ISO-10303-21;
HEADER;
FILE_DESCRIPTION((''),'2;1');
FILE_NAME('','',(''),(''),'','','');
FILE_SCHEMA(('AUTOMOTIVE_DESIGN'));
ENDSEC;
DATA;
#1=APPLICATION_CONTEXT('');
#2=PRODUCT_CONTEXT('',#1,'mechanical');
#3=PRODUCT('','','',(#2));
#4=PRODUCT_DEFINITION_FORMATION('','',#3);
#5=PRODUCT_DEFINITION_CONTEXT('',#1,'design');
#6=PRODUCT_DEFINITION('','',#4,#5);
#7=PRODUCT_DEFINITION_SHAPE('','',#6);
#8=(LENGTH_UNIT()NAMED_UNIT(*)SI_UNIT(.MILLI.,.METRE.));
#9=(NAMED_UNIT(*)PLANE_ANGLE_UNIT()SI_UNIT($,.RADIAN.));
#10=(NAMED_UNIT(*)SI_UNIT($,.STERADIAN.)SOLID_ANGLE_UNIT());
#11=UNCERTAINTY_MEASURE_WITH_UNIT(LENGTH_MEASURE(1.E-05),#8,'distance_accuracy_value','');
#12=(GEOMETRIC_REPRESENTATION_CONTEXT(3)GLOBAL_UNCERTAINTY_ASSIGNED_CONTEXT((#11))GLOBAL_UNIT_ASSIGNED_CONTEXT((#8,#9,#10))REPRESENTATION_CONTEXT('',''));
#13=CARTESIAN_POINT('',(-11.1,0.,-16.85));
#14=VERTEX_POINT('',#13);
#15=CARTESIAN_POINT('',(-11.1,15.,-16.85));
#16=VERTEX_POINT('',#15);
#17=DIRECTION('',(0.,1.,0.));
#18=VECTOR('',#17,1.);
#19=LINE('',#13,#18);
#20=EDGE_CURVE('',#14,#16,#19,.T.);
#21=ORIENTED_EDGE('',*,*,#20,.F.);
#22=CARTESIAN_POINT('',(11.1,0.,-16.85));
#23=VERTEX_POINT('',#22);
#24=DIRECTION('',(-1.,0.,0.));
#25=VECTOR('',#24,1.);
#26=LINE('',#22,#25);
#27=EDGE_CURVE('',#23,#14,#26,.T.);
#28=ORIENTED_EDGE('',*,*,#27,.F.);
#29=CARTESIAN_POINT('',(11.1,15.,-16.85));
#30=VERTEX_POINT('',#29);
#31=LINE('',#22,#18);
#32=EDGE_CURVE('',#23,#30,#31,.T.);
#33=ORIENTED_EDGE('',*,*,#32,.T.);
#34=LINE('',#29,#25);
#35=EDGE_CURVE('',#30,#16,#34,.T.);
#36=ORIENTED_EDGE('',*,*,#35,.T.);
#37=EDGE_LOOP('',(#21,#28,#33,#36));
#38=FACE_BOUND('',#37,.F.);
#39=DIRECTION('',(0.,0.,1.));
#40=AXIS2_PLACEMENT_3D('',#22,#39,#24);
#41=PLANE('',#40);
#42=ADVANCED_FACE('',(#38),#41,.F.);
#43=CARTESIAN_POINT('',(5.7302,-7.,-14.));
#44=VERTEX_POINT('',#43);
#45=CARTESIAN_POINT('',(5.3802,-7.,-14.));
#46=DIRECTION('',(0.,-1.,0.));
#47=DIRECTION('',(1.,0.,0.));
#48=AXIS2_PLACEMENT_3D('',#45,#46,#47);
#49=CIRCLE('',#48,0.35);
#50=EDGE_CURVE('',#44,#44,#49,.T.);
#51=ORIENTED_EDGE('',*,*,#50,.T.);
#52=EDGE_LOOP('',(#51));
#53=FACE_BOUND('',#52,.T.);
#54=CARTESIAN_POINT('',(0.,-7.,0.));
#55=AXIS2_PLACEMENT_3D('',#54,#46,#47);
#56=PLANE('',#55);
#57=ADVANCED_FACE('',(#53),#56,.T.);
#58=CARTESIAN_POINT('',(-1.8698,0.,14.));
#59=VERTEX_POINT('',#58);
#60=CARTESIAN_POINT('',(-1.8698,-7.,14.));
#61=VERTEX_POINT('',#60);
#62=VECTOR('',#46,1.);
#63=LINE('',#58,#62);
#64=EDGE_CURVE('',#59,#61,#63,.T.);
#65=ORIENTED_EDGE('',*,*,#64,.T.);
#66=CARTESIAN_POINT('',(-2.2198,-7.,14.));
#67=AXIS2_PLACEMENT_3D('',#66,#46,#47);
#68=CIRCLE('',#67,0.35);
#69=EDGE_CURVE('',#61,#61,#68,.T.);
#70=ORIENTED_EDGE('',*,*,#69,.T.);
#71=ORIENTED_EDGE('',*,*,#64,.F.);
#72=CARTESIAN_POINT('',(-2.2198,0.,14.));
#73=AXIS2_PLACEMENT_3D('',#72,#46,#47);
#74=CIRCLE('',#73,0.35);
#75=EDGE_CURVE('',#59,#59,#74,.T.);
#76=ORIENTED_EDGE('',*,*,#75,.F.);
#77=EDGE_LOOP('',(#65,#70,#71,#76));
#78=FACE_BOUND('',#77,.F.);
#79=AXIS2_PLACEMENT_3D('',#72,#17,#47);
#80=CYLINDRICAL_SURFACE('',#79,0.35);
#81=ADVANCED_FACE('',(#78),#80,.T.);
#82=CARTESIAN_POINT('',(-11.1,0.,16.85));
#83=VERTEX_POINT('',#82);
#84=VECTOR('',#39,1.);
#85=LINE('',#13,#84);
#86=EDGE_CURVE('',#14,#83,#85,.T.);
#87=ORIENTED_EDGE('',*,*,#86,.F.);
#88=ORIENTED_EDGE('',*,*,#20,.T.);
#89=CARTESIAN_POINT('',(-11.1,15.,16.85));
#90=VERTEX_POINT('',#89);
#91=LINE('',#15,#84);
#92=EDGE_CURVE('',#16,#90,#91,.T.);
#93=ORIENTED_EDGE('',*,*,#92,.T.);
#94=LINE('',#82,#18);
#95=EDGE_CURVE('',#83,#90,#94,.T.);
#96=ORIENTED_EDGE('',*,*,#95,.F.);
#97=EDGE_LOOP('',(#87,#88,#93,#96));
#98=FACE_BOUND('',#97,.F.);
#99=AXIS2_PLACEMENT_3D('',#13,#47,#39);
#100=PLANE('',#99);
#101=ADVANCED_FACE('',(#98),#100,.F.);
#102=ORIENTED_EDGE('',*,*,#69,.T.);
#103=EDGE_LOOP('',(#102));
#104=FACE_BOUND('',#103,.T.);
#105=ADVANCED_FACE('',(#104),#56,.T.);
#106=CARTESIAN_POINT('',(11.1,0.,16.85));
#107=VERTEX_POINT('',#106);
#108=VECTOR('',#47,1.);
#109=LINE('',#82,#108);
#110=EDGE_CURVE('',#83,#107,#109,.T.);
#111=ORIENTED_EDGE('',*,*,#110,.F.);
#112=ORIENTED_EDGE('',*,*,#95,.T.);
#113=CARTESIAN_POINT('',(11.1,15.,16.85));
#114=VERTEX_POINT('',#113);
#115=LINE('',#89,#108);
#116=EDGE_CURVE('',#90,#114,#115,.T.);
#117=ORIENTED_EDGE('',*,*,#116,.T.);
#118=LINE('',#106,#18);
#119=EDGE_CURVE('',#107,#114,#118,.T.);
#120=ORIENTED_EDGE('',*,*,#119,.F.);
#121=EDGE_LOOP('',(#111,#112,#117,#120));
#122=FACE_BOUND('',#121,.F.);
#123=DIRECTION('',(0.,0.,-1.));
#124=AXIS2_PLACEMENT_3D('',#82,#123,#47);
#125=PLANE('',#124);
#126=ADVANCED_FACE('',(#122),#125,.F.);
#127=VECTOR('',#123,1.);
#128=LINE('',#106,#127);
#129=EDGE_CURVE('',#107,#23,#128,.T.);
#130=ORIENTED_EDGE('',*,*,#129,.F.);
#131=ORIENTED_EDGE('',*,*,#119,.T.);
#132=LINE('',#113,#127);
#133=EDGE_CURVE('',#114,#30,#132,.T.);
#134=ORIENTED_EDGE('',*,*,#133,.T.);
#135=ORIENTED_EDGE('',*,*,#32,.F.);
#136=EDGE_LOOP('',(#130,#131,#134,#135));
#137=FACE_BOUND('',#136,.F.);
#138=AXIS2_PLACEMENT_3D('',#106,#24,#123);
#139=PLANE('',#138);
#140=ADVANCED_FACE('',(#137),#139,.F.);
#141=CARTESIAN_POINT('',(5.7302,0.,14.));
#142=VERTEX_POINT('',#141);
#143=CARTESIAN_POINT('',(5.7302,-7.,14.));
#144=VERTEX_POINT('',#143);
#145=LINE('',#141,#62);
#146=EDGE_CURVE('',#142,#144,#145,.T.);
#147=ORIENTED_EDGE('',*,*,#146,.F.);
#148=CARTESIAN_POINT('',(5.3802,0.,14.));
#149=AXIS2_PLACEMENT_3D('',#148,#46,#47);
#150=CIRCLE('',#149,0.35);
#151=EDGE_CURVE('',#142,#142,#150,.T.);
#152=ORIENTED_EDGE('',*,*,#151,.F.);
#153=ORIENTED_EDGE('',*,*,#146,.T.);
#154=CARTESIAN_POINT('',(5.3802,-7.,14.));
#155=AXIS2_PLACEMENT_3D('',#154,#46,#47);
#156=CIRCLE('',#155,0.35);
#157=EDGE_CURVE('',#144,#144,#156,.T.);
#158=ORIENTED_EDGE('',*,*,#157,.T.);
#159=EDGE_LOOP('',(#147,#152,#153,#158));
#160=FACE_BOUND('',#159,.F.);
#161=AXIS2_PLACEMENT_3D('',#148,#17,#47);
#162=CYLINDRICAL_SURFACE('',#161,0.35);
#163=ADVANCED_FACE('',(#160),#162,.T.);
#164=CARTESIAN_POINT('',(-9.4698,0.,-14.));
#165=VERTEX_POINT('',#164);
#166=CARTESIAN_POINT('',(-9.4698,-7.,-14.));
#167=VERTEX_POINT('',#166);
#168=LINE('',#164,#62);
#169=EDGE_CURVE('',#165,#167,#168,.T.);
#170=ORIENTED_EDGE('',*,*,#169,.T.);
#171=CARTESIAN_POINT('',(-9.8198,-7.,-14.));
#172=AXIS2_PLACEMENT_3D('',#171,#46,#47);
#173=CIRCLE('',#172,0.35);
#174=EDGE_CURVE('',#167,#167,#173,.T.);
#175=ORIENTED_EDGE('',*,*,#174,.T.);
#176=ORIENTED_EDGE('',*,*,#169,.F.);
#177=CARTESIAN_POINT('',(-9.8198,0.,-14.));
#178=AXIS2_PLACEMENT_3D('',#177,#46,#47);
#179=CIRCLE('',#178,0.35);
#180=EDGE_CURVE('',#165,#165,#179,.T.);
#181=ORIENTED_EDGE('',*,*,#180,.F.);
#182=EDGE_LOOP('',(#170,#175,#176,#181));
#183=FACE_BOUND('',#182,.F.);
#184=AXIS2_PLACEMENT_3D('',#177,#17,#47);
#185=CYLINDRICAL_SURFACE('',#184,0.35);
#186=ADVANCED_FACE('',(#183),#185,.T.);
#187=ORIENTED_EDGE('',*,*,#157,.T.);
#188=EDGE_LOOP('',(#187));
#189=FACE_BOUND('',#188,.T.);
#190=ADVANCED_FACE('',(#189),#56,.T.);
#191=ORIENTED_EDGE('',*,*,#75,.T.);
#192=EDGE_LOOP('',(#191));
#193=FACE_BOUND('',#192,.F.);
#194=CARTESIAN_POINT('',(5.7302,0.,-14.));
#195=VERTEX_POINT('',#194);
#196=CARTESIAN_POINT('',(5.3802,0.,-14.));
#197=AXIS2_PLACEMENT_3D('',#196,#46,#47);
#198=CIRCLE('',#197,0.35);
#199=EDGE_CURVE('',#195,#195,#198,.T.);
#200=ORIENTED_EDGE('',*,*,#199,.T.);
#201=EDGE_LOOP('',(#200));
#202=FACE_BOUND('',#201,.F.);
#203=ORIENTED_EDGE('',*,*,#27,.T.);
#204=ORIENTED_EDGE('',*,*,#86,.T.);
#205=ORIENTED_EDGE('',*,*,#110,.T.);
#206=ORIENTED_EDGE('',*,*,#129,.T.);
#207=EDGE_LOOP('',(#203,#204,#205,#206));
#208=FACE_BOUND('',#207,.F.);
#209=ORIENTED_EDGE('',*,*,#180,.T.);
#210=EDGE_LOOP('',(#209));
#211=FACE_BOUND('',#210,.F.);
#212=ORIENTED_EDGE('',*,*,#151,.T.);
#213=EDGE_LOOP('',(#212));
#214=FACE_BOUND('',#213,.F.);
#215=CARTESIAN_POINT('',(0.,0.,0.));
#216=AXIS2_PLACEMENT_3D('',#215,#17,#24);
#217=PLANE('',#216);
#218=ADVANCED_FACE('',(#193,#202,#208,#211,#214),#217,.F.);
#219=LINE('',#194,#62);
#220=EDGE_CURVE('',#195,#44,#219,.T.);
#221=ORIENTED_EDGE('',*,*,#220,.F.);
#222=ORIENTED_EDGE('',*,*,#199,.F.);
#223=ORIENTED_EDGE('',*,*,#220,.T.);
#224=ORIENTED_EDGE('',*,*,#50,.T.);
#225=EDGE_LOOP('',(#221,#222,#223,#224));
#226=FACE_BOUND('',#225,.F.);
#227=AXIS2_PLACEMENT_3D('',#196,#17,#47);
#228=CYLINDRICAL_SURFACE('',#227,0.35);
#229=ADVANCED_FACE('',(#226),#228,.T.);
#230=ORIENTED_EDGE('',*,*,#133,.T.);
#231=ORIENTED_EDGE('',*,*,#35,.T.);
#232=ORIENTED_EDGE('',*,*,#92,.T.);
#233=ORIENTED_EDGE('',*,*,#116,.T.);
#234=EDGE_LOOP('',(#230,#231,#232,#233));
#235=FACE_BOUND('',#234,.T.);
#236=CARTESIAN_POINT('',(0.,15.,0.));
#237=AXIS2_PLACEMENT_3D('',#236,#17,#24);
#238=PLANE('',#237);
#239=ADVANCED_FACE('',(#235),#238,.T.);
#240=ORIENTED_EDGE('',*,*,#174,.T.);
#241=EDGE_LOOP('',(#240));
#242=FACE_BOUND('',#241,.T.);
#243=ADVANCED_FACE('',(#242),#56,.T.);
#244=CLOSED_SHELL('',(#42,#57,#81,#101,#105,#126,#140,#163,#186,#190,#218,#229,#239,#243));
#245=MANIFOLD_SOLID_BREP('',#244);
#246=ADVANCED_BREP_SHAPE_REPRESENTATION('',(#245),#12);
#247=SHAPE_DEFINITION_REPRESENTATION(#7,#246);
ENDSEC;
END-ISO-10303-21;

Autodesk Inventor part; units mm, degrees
ref_plane "YZ Plane" through (0, 0, 0) normal (1, 0, 0) x (0, 1, 0)
ref_plane "XZ Plane" through (0, 0, 0) normal (0, 1, 0) x (-1, 0, 0)
ref_plane "XY Plane" through (0, 0, 0) normal (0, 0, 1) x (1, 0, 0)
sketch "Sketch1" plane through (0, 0, 0) normal (0, 1, 0) x (-1, 0, 0)
  line L0 (11.1, 16.85) -> (-11.1, 16.85)
  line L1 (-11.1, 16.85) -> (-11.1, -16.85)
  line L2 (-11.1, -16.85) -> (11.1, -16.85)
  line L3 (11.1, -16.85) -> (11.1, 16.85)
  point P0 (0, 0)
  dimension "d0" = 33.7
  dimension "d1" = 22.2
  dimension "d2" = 16.85
  dimension "d3" = 11.1
extrude "Extrusion1" add sketch "Sketch1" along normal blind 15
sketch "Sketch2" plane through (0, 0, 0) normal (0, -1, 0) x (1, 0, 0)
  circle A0 centre (5.3802, 14) radius 0.35
  circle A1 centre (-2.2198, 14) radius 0.35
  circle A2 centre (5.3802, -14) radius 0.35
  circle A3 centre (-9.8198, -14) radius 0.35
  line L0 (-11.1, 16.85) -> (11.1, 16.85) projected
  line L1 (-11.1, -16.85) -> (-11.1, 16.85) projected
  line L2 (11.1, -16.85) -> (-11.1, -16.85) projected
  line L3 (11.1, 16.85) -> (11.1, -16.85) projected
  point P0 (0, 0)
  dimension "d6" = 0.7
  dimension "d7" = 0.7
  dimension "d8" = 0.7
  dimension "d9" = 0.7
  dimension "d10" = 7.6
  dimension "d11" = 15.2
  dimension "d12" = 28
  dimension "d14" = 2.85
extrude "Extrusion2" add sketch "Sketch2" along normal blind 7 contours A0 | A1 | A2 | A3
equation "\"d2\" = 0.5 * d0"
equation "\"d3\" = 0.5 * d1"
equation "\"d7\" = d6"
equation "\"d8\" = d6"
equation "\"d9\" = d6"
properties part number "IRM-02-5"
